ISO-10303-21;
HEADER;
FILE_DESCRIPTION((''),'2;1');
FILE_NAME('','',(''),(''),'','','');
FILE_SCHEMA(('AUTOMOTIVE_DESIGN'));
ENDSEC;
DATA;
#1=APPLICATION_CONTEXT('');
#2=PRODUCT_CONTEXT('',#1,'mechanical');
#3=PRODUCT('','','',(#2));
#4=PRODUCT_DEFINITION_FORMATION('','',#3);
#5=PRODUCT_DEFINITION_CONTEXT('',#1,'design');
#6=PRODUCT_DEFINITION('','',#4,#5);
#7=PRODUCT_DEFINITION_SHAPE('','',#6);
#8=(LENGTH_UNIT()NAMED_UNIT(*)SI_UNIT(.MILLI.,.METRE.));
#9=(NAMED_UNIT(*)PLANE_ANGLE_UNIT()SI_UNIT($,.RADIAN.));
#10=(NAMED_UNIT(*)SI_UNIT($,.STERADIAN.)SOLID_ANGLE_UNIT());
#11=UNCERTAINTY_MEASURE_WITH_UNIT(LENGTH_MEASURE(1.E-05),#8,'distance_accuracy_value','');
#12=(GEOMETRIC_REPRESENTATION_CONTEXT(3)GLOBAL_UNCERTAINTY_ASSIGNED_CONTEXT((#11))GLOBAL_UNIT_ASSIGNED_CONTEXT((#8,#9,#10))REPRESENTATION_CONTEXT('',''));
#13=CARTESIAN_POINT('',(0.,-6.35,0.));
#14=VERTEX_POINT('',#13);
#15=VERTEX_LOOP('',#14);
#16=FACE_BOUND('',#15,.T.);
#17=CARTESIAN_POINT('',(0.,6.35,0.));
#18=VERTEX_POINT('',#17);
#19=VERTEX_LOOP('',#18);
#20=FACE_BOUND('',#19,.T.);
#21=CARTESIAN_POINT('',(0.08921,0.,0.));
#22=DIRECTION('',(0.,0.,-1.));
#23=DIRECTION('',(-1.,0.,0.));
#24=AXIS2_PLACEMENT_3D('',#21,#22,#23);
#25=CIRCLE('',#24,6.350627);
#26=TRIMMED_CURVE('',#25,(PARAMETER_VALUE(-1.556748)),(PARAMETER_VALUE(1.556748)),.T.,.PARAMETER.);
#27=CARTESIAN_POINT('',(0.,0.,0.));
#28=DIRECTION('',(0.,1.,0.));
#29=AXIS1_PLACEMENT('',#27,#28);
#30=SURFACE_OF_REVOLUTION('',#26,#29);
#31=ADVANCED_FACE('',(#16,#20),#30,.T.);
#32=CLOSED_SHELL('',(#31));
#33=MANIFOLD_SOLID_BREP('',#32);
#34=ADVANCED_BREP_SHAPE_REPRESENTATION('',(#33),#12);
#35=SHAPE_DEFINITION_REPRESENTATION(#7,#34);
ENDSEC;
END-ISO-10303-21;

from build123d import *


with BuildPart() as part:
    # Sketch1 → Revolve1 (revolve)
    with BuildSketch(Plane.XY):
        with BuildLine():
            Line((0, 6.35), (0, -6.35))
            ThreePointArc((0, -6.35), (6.26141623, 0), (0, 6.35))
        make_face()
    revolve(axis=Axis((0, 6.35, 0), (0, -1, 0)))


solid = part.part
